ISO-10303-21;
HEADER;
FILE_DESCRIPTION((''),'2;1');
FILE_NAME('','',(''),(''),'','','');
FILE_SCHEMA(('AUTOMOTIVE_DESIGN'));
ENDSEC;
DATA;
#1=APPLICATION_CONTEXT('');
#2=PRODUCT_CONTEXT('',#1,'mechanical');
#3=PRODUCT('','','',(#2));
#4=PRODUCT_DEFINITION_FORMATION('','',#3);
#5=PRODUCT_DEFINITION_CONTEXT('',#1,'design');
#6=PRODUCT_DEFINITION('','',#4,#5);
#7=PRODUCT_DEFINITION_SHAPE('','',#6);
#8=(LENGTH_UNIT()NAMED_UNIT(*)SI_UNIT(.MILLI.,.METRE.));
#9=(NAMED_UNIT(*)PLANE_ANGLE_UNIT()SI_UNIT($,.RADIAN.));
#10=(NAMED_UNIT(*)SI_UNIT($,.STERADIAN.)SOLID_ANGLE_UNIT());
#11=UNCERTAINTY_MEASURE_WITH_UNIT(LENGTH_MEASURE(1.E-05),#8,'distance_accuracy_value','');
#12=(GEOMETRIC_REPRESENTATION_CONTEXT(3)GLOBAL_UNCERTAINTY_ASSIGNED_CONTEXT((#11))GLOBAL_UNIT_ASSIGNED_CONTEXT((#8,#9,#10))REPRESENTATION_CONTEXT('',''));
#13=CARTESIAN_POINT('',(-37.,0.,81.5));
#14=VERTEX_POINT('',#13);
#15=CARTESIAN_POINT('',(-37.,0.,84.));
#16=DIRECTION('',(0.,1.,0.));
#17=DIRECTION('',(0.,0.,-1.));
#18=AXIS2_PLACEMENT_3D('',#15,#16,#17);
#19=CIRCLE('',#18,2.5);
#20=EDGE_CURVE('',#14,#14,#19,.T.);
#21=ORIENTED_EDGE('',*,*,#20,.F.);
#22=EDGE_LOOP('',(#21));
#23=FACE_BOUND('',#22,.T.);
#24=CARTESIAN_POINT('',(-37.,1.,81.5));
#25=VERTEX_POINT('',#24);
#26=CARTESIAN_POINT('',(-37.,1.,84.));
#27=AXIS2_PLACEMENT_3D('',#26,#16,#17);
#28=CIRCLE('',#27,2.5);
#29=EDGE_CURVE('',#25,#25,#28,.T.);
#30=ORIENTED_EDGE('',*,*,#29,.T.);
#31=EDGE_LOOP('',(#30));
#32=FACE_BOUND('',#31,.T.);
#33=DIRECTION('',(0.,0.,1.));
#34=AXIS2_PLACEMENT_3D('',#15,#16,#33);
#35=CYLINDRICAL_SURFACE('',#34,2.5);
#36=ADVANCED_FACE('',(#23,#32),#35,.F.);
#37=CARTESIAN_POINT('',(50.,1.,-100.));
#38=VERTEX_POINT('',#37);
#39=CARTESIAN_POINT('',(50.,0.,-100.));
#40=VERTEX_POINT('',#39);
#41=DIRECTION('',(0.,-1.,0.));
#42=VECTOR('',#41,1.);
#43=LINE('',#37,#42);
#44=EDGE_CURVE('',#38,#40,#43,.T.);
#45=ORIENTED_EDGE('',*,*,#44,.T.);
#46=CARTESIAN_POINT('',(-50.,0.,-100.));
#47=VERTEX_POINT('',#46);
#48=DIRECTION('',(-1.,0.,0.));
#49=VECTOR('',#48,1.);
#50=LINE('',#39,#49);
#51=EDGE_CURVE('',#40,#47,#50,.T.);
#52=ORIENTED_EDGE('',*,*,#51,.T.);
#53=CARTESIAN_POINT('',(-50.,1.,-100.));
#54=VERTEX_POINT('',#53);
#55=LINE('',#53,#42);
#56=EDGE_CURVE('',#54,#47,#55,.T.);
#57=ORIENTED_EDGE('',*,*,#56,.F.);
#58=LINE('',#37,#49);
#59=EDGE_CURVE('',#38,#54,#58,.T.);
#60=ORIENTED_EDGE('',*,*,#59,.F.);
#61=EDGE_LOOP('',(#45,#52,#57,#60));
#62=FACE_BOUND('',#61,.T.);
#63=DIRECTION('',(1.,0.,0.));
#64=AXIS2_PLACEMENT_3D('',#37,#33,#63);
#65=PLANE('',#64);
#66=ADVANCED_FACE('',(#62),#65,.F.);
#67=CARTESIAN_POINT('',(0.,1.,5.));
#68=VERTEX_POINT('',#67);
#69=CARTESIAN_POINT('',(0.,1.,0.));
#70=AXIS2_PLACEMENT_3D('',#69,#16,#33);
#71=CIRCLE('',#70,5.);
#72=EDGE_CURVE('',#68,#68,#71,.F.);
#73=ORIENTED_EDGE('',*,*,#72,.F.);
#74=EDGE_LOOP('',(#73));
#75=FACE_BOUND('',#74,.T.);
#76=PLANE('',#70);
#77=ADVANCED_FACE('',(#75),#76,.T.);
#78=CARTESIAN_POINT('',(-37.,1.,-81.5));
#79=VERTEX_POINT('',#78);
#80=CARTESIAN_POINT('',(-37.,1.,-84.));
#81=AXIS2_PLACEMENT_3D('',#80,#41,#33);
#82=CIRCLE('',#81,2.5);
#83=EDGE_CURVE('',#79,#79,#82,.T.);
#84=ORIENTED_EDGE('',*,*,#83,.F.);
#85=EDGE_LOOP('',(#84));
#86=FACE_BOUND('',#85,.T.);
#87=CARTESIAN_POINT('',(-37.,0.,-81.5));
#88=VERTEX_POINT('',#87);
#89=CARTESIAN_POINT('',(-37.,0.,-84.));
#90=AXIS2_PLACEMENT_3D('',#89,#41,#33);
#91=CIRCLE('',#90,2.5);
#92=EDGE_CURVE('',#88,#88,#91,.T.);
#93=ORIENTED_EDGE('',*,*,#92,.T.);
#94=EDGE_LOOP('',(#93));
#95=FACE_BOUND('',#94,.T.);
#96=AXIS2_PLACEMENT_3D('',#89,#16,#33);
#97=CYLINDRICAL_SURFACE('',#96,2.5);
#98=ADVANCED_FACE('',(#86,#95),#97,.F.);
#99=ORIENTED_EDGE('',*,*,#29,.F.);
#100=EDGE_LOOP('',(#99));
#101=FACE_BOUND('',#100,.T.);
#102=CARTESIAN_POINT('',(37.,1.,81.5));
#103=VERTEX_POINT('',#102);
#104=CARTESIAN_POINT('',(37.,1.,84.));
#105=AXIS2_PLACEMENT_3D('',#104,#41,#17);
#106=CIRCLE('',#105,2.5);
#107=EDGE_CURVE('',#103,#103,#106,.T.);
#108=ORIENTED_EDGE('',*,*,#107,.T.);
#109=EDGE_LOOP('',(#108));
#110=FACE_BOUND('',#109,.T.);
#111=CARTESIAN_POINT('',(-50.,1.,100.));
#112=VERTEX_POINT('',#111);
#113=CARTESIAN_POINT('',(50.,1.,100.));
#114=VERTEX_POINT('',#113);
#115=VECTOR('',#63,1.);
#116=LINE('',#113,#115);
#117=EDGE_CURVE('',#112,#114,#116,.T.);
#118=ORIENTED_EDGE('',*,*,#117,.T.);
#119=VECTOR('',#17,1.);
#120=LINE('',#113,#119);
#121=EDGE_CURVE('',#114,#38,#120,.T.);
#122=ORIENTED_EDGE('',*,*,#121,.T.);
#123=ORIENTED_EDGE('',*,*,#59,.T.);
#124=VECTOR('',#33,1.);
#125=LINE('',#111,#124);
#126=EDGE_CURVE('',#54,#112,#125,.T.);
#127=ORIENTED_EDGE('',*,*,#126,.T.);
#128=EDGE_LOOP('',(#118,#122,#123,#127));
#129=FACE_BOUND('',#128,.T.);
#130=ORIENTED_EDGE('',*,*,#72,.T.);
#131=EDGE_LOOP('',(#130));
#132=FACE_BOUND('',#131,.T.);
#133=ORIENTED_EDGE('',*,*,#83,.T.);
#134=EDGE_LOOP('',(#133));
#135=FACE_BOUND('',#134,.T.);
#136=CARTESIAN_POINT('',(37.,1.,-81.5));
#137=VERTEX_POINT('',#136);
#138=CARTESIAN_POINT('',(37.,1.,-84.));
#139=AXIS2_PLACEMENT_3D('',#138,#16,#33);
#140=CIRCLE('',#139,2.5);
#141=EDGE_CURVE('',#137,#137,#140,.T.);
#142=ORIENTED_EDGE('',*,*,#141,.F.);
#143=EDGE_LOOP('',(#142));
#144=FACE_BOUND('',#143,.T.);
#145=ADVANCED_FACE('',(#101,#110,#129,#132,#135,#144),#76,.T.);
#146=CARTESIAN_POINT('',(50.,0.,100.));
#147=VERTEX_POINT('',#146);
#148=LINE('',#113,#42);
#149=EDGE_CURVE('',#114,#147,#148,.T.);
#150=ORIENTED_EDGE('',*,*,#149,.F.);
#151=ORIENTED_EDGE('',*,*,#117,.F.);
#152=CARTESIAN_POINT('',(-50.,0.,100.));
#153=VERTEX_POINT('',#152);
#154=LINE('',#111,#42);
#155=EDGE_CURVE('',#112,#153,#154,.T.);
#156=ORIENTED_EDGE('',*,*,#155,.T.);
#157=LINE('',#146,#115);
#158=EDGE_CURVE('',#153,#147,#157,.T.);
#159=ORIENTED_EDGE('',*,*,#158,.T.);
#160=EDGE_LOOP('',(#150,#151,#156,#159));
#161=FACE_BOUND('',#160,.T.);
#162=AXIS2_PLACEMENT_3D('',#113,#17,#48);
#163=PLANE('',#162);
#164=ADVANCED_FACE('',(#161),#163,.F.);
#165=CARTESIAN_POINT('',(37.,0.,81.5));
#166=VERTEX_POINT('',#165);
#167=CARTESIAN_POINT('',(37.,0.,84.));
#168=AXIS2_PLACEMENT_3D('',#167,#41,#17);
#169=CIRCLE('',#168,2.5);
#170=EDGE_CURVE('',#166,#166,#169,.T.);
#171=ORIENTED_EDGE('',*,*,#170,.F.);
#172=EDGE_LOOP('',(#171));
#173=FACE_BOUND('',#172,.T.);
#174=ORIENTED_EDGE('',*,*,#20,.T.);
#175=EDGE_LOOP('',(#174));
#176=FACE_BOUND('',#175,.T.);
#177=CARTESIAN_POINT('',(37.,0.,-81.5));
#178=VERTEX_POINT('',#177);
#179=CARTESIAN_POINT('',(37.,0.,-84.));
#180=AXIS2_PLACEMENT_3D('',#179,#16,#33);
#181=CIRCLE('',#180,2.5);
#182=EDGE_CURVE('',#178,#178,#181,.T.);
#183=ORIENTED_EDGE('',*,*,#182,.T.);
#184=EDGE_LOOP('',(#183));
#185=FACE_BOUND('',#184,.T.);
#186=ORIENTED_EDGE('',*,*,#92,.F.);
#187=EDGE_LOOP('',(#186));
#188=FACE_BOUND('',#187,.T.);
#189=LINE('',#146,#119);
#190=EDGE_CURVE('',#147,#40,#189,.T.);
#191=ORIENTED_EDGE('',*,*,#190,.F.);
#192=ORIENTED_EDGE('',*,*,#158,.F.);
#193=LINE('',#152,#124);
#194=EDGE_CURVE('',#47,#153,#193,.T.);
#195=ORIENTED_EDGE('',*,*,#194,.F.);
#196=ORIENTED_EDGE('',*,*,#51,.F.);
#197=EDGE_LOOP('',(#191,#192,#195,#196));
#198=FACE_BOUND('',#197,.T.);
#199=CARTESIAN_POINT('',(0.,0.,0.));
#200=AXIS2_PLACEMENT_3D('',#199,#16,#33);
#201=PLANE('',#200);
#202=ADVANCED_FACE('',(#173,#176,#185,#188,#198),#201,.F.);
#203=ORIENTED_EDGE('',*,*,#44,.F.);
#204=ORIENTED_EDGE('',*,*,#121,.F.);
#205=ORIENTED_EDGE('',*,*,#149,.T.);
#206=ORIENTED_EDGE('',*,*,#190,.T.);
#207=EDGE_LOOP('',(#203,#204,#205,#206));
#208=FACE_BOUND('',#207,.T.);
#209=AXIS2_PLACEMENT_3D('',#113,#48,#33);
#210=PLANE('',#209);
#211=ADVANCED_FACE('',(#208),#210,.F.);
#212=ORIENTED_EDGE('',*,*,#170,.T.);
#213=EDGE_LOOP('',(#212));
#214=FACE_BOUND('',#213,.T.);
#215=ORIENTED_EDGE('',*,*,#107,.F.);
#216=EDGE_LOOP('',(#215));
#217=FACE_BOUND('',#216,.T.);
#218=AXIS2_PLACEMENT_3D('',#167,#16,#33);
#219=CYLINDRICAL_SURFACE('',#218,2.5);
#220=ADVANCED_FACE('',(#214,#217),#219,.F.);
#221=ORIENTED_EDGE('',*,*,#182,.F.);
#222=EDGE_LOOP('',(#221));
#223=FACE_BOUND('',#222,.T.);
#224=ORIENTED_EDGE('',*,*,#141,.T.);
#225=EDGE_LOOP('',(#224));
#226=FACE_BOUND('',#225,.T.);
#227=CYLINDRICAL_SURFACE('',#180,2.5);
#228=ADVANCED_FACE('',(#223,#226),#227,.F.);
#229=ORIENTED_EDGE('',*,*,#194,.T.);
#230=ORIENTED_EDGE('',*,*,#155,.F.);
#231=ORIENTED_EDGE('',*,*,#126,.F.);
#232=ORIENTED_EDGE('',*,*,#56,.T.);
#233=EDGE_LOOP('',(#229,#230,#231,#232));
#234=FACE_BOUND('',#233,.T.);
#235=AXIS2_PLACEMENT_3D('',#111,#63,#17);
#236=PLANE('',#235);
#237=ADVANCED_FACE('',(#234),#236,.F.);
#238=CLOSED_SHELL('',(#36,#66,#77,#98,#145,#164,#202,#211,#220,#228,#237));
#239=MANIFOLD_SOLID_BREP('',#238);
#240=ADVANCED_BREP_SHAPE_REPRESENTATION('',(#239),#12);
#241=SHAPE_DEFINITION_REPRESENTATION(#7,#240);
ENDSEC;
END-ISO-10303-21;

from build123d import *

# Parameters (mm, degrees)
SKETCH1_W               = 100
SKETCH1_H               = 200
BOSS_EXTRUDE1_DEPTH     = 1
SKETCH3_R               = 2.5
CUT_EXTRUDE1_DEPTH      = 112.807870922
MIRROR2_COPY_1_SKETCH_R = 2.5
MIRROR2_COPY_1_DEPTH    = 112.807870922


with BuildPart() as part:
    # Sketch1 → Boss-Extrude1 (new body)
    with BuildSketch(Plane(origin=(0, 0, 0), x_dir=(1, 0, 0), z_dir=(0, 1, 0))):
        Rectangle(SKETCH1_W, SKETCH1_H)
    extrude(amount=BOSS_EXTRUDE1_DEPTH)

    # Sketch3 → Cut-Extrude1 (cut, through all)
    with BuildSketch(Plane(origin=(0, 1, 0), x_dir=(1, 0, 0), z_dir=(0, 1, 0))):
        with Locations(Location((37, 84, 0), (0, 0, 270))):
            Circle(SKETCH3_R)
    cut_extrude1 = extrude(amount=-CUT_EXTRUDE1_DEPTH, mode=Mode.SUBTRACT)

    # Mirror1: Cut-Extrude1 across plane
    add(cut_extrude1.mirror(Plane(origin=(0, 0, 0), x_dir=(0, 0, 1), z_dir=(1, 0, 0))), mode=Mode.SUBTRACT)

    # Mirror2: Cut-Extrude1 across plane
    add(cut_extrude1.mirror(Plane.XY), mode=Mode.SUBTRACT)

    # Mirror2 copy 1 sketch → Mirror2 copy 1 (cut, through all)
    with BuildSketch(Plane(origin=(0, 1, 0), x_dir=(-1, 0, 0), z_dir=(0, 1, 0))):
        with Locations(Location((37, 84, 0), (0, 0, 270))):
            Circle(MIRROR2_COPY_1_SKETCH_R)
    extrude(amount=-MIRROR2_COPY_1_DEPTH, mode=Mode.SUBTRACT)


solid = part.part
